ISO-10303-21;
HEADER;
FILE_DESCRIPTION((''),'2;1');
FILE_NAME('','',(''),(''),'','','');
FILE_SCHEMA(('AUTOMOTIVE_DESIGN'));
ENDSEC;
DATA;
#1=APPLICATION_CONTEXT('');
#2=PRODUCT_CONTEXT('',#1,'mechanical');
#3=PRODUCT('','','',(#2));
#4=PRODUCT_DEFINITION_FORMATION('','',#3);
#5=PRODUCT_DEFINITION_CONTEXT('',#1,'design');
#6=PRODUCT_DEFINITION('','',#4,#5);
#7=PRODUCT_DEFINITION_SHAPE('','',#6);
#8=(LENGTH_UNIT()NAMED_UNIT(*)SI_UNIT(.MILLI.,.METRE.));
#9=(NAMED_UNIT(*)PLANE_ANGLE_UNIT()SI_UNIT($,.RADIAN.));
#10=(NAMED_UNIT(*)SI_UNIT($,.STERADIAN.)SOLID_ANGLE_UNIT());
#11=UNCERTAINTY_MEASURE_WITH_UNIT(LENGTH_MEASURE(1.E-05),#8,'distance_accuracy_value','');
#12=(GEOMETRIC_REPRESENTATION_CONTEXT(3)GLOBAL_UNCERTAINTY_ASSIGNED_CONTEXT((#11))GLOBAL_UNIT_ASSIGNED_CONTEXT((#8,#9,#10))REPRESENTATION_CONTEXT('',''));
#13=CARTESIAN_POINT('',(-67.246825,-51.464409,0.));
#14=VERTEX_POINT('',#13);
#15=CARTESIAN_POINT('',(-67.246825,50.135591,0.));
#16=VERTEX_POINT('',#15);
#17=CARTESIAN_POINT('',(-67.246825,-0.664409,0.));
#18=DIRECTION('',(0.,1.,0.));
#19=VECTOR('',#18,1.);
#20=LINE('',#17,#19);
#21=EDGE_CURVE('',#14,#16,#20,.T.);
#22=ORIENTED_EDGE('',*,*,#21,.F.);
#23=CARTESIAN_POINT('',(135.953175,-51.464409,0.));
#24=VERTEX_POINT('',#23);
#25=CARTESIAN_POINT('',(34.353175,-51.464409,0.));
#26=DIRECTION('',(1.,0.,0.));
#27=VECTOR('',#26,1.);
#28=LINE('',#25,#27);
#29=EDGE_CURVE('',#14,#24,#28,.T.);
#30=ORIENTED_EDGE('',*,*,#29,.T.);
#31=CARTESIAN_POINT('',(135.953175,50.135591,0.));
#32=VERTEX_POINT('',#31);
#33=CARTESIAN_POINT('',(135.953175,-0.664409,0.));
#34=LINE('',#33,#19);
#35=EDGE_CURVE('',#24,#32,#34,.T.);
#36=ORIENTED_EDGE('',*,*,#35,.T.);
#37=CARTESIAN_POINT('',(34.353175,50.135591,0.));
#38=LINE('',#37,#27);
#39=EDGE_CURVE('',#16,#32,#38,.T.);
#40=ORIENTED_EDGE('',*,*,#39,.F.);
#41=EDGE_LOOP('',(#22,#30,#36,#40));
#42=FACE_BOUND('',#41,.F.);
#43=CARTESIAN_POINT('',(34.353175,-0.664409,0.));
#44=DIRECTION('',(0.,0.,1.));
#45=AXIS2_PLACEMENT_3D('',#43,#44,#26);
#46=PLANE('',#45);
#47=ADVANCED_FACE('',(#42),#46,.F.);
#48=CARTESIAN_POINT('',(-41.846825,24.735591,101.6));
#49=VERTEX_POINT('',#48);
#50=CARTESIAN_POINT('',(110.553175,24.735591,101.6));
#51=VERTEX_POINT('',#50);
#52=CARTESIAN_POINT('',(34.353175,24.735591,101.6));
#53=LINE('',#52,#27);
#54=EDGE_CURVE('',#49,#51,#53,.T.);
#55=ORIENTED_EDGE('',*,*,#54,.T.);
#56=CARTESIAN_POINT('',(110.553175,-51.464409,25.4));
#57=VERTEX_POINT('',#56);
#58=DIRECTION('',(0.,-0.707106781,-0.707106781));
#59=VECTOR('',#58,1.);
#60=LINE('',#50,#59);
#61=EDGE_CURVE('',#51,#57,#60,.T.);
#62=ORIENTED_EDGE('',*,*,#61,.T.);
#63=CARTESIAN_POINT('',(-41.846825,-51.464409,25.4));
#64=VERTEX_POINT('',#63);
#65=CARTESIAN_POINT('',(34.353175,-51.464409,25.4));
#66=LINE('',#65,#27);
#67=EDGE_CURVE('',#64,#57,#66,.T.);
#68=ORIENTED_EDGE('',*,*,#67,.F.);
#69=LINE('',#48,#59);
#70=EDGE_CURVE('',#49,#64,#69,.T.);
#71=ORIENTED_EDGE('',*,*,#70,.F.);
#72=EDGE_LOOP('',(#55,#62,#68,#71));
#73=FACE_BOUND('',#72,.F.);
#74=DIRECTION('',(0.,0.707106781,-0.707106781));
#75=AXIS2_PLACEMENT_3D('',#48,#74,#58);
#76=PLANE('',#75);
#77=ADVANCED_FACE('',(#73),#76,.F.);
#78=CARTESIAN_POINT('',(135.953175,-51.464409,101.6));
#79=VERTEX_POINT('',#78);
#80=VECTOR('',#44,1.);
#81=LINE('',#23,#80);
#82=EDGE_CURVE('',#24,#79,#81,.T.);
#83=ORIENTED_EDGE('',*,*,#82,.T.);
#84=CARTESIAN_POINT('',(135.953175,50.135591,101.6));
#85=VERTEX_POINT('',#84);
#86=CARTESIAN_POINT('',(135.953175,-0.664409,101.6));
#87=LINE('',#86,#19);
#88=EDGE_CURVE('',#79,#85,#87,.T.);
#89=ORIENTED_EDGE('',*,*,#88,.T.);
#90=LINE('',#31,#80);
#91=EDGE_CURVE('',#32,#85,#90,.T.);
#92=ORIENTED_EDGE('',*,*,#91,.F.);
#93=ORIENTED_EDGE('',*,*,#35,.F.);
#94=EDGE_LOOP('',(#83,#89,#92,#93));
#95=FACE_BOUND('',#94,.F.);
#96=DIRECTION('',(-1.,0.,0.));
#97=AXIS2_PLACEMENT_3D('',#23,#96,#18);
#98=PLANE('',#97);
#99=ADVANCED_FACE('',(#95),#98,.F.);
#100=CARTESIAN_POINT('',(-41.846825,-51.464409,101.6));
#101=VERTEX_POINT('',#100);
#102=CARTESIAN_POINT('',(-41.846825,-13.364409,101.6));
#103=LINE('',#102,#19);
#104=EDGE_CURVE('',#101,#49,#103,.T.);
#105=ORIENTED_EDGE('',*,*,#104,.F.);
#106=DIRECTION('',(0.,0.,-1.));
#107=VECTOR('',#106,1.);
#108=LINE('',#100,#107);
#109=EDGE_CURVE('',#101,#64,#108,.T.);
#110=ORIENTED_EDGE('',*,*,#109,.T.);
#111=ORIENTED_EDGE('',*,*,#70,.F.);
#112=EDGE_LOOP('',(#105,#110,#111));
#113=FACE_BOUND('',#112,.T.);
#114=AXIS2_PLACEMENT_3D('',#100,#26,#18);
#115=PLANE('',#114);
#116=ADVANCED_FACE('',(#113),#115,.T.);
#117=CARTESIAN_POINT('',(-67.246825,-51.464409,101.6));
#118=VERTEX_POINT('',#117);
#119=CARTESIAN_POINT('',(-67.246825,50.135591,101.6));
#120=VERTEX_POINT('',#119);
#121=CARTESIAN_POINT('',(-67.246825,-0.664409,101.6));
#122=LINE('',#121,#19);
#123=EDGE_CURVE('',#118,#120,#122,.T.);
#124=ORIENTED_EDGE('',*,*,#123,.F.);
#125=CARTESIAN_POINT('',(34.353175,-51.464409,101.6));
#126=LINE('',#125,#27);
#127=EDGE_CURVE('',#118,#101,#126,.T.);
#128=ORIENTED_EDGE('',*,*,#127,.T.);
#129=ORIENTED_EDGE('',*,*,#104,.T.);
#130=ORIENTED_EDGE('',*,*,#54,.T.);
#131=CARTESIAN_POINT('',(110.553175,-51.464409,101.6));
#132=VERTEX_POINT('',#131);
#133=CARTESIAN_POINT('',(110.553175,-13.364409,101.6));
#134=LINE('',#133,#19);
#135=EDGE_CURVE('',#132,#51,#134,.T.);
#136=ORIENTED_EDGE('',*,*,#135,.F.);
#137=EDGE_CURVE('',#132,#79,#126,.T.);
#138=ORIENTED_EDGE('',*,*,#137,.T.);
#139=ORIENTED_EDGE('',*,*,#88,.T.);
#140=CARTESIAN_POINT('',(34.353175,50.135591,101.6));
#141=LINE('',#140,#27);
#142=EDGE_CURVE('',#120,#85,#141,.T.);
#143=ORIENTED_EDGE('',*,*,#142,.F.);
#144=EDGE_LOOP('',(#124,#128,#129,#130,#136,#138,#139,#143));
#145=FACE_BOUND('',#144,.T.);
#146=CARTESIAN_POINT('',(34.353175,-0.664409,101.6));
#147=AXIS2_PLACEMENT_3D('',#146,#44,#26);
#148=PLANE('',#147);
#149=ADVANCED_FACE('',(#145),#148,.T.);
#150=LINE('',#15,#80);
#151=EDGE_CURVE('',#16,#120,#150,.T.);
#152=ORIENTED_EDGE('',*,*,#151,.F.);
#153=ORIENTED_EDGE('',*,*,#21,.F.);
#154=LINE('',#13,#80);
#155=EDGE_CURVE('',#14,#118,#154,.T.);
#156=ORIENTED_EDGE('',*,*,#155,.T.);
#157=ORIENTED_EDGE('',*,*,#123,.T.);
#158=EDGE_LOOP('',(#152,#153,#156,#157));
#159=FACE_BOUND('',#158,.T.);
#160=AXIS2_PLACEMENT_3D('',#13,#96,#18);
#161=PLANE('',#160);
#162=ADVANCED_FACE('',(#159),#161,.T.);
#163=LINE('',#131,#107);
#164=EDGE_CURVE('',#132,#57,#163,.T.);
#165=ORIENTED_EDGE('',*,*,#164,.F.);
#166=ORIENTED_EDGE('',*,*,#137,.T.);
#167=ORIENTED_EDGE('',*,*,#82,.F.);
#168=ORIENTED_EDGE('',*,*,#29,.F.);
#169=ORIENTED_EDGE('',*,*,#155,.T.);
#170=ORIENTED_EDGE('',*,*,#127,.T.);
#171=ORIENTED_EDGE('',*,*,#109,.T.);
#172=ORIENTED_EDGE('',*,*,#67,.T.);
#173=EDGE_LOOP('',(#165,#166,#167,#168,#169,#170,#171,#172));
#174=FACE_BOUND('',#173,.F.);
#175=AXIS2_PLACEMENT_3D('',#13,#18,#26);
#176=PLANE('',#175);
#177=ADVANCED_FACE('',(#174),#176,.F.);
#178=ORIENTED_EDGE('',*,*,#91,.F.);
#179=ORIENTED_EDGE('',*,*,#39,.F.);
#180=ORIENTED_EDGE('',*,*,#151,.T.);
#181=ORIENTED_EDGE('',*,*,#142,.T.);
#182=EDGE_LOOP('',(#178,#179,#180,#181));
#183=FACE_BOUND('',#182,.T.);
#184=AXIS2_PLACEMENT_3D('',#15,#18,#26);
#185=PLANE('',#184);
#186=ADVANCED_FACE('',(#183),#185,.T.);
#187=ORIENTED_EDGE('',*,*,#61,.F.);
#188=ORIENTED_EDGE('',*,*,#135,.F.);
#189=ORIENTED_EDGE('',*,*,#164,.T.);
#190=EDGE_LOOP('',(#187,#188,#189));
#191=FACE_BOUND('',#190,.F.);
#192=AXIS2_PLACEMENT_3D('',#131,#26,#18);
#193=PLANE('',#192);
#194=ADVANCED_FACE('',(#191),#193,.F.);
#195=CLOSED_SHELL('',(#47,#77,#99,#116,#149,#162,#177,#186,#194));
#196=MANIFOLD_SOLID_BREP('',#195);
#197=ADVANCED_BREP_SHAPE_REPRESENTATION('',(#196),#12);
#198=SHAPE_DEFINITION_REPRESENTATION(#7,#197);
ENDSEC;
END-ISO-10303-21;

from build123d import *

# Parameters (mm, degrees)
F0_W     = 203.2
F0_H     = 101.6
F1_DEPTH = 101.6
F2_W     = 152.4
F2_H     = 76.2
F3_DEPTH = 76.2
F5_DEPTH = 152.4


with BuildPart() as f1:
    # F0 (on Top) → F1 (new body)
    with BuildSketch(Plane.XY):
        with Locations((34.353175, -0.664409)):
            Rectangle(F0_W, F0_H)
    extrude(amount=F1_DEPTH)

    # F2 (on face) → F3 (cut)
    with BuildSketch(Plane.XY.offset(101.6)):
        with Locations((34.353175, -13.364409)):
            Rectangle(F2_W, F2_H)
    extrude(amount=-F3_DEPTH, mode=Mode.SUBTRACT)

    # F4 (on face) → F5 (join)
    with BuildSketch(Plane.YZ.offset(-41.846825)):
        Polygon((24.735591, 101.6), (-51.464409, 25.4), (24.735591, 25.4), align=None)
    extrude(amount=F5_DEPTH)


solid = f1.part
